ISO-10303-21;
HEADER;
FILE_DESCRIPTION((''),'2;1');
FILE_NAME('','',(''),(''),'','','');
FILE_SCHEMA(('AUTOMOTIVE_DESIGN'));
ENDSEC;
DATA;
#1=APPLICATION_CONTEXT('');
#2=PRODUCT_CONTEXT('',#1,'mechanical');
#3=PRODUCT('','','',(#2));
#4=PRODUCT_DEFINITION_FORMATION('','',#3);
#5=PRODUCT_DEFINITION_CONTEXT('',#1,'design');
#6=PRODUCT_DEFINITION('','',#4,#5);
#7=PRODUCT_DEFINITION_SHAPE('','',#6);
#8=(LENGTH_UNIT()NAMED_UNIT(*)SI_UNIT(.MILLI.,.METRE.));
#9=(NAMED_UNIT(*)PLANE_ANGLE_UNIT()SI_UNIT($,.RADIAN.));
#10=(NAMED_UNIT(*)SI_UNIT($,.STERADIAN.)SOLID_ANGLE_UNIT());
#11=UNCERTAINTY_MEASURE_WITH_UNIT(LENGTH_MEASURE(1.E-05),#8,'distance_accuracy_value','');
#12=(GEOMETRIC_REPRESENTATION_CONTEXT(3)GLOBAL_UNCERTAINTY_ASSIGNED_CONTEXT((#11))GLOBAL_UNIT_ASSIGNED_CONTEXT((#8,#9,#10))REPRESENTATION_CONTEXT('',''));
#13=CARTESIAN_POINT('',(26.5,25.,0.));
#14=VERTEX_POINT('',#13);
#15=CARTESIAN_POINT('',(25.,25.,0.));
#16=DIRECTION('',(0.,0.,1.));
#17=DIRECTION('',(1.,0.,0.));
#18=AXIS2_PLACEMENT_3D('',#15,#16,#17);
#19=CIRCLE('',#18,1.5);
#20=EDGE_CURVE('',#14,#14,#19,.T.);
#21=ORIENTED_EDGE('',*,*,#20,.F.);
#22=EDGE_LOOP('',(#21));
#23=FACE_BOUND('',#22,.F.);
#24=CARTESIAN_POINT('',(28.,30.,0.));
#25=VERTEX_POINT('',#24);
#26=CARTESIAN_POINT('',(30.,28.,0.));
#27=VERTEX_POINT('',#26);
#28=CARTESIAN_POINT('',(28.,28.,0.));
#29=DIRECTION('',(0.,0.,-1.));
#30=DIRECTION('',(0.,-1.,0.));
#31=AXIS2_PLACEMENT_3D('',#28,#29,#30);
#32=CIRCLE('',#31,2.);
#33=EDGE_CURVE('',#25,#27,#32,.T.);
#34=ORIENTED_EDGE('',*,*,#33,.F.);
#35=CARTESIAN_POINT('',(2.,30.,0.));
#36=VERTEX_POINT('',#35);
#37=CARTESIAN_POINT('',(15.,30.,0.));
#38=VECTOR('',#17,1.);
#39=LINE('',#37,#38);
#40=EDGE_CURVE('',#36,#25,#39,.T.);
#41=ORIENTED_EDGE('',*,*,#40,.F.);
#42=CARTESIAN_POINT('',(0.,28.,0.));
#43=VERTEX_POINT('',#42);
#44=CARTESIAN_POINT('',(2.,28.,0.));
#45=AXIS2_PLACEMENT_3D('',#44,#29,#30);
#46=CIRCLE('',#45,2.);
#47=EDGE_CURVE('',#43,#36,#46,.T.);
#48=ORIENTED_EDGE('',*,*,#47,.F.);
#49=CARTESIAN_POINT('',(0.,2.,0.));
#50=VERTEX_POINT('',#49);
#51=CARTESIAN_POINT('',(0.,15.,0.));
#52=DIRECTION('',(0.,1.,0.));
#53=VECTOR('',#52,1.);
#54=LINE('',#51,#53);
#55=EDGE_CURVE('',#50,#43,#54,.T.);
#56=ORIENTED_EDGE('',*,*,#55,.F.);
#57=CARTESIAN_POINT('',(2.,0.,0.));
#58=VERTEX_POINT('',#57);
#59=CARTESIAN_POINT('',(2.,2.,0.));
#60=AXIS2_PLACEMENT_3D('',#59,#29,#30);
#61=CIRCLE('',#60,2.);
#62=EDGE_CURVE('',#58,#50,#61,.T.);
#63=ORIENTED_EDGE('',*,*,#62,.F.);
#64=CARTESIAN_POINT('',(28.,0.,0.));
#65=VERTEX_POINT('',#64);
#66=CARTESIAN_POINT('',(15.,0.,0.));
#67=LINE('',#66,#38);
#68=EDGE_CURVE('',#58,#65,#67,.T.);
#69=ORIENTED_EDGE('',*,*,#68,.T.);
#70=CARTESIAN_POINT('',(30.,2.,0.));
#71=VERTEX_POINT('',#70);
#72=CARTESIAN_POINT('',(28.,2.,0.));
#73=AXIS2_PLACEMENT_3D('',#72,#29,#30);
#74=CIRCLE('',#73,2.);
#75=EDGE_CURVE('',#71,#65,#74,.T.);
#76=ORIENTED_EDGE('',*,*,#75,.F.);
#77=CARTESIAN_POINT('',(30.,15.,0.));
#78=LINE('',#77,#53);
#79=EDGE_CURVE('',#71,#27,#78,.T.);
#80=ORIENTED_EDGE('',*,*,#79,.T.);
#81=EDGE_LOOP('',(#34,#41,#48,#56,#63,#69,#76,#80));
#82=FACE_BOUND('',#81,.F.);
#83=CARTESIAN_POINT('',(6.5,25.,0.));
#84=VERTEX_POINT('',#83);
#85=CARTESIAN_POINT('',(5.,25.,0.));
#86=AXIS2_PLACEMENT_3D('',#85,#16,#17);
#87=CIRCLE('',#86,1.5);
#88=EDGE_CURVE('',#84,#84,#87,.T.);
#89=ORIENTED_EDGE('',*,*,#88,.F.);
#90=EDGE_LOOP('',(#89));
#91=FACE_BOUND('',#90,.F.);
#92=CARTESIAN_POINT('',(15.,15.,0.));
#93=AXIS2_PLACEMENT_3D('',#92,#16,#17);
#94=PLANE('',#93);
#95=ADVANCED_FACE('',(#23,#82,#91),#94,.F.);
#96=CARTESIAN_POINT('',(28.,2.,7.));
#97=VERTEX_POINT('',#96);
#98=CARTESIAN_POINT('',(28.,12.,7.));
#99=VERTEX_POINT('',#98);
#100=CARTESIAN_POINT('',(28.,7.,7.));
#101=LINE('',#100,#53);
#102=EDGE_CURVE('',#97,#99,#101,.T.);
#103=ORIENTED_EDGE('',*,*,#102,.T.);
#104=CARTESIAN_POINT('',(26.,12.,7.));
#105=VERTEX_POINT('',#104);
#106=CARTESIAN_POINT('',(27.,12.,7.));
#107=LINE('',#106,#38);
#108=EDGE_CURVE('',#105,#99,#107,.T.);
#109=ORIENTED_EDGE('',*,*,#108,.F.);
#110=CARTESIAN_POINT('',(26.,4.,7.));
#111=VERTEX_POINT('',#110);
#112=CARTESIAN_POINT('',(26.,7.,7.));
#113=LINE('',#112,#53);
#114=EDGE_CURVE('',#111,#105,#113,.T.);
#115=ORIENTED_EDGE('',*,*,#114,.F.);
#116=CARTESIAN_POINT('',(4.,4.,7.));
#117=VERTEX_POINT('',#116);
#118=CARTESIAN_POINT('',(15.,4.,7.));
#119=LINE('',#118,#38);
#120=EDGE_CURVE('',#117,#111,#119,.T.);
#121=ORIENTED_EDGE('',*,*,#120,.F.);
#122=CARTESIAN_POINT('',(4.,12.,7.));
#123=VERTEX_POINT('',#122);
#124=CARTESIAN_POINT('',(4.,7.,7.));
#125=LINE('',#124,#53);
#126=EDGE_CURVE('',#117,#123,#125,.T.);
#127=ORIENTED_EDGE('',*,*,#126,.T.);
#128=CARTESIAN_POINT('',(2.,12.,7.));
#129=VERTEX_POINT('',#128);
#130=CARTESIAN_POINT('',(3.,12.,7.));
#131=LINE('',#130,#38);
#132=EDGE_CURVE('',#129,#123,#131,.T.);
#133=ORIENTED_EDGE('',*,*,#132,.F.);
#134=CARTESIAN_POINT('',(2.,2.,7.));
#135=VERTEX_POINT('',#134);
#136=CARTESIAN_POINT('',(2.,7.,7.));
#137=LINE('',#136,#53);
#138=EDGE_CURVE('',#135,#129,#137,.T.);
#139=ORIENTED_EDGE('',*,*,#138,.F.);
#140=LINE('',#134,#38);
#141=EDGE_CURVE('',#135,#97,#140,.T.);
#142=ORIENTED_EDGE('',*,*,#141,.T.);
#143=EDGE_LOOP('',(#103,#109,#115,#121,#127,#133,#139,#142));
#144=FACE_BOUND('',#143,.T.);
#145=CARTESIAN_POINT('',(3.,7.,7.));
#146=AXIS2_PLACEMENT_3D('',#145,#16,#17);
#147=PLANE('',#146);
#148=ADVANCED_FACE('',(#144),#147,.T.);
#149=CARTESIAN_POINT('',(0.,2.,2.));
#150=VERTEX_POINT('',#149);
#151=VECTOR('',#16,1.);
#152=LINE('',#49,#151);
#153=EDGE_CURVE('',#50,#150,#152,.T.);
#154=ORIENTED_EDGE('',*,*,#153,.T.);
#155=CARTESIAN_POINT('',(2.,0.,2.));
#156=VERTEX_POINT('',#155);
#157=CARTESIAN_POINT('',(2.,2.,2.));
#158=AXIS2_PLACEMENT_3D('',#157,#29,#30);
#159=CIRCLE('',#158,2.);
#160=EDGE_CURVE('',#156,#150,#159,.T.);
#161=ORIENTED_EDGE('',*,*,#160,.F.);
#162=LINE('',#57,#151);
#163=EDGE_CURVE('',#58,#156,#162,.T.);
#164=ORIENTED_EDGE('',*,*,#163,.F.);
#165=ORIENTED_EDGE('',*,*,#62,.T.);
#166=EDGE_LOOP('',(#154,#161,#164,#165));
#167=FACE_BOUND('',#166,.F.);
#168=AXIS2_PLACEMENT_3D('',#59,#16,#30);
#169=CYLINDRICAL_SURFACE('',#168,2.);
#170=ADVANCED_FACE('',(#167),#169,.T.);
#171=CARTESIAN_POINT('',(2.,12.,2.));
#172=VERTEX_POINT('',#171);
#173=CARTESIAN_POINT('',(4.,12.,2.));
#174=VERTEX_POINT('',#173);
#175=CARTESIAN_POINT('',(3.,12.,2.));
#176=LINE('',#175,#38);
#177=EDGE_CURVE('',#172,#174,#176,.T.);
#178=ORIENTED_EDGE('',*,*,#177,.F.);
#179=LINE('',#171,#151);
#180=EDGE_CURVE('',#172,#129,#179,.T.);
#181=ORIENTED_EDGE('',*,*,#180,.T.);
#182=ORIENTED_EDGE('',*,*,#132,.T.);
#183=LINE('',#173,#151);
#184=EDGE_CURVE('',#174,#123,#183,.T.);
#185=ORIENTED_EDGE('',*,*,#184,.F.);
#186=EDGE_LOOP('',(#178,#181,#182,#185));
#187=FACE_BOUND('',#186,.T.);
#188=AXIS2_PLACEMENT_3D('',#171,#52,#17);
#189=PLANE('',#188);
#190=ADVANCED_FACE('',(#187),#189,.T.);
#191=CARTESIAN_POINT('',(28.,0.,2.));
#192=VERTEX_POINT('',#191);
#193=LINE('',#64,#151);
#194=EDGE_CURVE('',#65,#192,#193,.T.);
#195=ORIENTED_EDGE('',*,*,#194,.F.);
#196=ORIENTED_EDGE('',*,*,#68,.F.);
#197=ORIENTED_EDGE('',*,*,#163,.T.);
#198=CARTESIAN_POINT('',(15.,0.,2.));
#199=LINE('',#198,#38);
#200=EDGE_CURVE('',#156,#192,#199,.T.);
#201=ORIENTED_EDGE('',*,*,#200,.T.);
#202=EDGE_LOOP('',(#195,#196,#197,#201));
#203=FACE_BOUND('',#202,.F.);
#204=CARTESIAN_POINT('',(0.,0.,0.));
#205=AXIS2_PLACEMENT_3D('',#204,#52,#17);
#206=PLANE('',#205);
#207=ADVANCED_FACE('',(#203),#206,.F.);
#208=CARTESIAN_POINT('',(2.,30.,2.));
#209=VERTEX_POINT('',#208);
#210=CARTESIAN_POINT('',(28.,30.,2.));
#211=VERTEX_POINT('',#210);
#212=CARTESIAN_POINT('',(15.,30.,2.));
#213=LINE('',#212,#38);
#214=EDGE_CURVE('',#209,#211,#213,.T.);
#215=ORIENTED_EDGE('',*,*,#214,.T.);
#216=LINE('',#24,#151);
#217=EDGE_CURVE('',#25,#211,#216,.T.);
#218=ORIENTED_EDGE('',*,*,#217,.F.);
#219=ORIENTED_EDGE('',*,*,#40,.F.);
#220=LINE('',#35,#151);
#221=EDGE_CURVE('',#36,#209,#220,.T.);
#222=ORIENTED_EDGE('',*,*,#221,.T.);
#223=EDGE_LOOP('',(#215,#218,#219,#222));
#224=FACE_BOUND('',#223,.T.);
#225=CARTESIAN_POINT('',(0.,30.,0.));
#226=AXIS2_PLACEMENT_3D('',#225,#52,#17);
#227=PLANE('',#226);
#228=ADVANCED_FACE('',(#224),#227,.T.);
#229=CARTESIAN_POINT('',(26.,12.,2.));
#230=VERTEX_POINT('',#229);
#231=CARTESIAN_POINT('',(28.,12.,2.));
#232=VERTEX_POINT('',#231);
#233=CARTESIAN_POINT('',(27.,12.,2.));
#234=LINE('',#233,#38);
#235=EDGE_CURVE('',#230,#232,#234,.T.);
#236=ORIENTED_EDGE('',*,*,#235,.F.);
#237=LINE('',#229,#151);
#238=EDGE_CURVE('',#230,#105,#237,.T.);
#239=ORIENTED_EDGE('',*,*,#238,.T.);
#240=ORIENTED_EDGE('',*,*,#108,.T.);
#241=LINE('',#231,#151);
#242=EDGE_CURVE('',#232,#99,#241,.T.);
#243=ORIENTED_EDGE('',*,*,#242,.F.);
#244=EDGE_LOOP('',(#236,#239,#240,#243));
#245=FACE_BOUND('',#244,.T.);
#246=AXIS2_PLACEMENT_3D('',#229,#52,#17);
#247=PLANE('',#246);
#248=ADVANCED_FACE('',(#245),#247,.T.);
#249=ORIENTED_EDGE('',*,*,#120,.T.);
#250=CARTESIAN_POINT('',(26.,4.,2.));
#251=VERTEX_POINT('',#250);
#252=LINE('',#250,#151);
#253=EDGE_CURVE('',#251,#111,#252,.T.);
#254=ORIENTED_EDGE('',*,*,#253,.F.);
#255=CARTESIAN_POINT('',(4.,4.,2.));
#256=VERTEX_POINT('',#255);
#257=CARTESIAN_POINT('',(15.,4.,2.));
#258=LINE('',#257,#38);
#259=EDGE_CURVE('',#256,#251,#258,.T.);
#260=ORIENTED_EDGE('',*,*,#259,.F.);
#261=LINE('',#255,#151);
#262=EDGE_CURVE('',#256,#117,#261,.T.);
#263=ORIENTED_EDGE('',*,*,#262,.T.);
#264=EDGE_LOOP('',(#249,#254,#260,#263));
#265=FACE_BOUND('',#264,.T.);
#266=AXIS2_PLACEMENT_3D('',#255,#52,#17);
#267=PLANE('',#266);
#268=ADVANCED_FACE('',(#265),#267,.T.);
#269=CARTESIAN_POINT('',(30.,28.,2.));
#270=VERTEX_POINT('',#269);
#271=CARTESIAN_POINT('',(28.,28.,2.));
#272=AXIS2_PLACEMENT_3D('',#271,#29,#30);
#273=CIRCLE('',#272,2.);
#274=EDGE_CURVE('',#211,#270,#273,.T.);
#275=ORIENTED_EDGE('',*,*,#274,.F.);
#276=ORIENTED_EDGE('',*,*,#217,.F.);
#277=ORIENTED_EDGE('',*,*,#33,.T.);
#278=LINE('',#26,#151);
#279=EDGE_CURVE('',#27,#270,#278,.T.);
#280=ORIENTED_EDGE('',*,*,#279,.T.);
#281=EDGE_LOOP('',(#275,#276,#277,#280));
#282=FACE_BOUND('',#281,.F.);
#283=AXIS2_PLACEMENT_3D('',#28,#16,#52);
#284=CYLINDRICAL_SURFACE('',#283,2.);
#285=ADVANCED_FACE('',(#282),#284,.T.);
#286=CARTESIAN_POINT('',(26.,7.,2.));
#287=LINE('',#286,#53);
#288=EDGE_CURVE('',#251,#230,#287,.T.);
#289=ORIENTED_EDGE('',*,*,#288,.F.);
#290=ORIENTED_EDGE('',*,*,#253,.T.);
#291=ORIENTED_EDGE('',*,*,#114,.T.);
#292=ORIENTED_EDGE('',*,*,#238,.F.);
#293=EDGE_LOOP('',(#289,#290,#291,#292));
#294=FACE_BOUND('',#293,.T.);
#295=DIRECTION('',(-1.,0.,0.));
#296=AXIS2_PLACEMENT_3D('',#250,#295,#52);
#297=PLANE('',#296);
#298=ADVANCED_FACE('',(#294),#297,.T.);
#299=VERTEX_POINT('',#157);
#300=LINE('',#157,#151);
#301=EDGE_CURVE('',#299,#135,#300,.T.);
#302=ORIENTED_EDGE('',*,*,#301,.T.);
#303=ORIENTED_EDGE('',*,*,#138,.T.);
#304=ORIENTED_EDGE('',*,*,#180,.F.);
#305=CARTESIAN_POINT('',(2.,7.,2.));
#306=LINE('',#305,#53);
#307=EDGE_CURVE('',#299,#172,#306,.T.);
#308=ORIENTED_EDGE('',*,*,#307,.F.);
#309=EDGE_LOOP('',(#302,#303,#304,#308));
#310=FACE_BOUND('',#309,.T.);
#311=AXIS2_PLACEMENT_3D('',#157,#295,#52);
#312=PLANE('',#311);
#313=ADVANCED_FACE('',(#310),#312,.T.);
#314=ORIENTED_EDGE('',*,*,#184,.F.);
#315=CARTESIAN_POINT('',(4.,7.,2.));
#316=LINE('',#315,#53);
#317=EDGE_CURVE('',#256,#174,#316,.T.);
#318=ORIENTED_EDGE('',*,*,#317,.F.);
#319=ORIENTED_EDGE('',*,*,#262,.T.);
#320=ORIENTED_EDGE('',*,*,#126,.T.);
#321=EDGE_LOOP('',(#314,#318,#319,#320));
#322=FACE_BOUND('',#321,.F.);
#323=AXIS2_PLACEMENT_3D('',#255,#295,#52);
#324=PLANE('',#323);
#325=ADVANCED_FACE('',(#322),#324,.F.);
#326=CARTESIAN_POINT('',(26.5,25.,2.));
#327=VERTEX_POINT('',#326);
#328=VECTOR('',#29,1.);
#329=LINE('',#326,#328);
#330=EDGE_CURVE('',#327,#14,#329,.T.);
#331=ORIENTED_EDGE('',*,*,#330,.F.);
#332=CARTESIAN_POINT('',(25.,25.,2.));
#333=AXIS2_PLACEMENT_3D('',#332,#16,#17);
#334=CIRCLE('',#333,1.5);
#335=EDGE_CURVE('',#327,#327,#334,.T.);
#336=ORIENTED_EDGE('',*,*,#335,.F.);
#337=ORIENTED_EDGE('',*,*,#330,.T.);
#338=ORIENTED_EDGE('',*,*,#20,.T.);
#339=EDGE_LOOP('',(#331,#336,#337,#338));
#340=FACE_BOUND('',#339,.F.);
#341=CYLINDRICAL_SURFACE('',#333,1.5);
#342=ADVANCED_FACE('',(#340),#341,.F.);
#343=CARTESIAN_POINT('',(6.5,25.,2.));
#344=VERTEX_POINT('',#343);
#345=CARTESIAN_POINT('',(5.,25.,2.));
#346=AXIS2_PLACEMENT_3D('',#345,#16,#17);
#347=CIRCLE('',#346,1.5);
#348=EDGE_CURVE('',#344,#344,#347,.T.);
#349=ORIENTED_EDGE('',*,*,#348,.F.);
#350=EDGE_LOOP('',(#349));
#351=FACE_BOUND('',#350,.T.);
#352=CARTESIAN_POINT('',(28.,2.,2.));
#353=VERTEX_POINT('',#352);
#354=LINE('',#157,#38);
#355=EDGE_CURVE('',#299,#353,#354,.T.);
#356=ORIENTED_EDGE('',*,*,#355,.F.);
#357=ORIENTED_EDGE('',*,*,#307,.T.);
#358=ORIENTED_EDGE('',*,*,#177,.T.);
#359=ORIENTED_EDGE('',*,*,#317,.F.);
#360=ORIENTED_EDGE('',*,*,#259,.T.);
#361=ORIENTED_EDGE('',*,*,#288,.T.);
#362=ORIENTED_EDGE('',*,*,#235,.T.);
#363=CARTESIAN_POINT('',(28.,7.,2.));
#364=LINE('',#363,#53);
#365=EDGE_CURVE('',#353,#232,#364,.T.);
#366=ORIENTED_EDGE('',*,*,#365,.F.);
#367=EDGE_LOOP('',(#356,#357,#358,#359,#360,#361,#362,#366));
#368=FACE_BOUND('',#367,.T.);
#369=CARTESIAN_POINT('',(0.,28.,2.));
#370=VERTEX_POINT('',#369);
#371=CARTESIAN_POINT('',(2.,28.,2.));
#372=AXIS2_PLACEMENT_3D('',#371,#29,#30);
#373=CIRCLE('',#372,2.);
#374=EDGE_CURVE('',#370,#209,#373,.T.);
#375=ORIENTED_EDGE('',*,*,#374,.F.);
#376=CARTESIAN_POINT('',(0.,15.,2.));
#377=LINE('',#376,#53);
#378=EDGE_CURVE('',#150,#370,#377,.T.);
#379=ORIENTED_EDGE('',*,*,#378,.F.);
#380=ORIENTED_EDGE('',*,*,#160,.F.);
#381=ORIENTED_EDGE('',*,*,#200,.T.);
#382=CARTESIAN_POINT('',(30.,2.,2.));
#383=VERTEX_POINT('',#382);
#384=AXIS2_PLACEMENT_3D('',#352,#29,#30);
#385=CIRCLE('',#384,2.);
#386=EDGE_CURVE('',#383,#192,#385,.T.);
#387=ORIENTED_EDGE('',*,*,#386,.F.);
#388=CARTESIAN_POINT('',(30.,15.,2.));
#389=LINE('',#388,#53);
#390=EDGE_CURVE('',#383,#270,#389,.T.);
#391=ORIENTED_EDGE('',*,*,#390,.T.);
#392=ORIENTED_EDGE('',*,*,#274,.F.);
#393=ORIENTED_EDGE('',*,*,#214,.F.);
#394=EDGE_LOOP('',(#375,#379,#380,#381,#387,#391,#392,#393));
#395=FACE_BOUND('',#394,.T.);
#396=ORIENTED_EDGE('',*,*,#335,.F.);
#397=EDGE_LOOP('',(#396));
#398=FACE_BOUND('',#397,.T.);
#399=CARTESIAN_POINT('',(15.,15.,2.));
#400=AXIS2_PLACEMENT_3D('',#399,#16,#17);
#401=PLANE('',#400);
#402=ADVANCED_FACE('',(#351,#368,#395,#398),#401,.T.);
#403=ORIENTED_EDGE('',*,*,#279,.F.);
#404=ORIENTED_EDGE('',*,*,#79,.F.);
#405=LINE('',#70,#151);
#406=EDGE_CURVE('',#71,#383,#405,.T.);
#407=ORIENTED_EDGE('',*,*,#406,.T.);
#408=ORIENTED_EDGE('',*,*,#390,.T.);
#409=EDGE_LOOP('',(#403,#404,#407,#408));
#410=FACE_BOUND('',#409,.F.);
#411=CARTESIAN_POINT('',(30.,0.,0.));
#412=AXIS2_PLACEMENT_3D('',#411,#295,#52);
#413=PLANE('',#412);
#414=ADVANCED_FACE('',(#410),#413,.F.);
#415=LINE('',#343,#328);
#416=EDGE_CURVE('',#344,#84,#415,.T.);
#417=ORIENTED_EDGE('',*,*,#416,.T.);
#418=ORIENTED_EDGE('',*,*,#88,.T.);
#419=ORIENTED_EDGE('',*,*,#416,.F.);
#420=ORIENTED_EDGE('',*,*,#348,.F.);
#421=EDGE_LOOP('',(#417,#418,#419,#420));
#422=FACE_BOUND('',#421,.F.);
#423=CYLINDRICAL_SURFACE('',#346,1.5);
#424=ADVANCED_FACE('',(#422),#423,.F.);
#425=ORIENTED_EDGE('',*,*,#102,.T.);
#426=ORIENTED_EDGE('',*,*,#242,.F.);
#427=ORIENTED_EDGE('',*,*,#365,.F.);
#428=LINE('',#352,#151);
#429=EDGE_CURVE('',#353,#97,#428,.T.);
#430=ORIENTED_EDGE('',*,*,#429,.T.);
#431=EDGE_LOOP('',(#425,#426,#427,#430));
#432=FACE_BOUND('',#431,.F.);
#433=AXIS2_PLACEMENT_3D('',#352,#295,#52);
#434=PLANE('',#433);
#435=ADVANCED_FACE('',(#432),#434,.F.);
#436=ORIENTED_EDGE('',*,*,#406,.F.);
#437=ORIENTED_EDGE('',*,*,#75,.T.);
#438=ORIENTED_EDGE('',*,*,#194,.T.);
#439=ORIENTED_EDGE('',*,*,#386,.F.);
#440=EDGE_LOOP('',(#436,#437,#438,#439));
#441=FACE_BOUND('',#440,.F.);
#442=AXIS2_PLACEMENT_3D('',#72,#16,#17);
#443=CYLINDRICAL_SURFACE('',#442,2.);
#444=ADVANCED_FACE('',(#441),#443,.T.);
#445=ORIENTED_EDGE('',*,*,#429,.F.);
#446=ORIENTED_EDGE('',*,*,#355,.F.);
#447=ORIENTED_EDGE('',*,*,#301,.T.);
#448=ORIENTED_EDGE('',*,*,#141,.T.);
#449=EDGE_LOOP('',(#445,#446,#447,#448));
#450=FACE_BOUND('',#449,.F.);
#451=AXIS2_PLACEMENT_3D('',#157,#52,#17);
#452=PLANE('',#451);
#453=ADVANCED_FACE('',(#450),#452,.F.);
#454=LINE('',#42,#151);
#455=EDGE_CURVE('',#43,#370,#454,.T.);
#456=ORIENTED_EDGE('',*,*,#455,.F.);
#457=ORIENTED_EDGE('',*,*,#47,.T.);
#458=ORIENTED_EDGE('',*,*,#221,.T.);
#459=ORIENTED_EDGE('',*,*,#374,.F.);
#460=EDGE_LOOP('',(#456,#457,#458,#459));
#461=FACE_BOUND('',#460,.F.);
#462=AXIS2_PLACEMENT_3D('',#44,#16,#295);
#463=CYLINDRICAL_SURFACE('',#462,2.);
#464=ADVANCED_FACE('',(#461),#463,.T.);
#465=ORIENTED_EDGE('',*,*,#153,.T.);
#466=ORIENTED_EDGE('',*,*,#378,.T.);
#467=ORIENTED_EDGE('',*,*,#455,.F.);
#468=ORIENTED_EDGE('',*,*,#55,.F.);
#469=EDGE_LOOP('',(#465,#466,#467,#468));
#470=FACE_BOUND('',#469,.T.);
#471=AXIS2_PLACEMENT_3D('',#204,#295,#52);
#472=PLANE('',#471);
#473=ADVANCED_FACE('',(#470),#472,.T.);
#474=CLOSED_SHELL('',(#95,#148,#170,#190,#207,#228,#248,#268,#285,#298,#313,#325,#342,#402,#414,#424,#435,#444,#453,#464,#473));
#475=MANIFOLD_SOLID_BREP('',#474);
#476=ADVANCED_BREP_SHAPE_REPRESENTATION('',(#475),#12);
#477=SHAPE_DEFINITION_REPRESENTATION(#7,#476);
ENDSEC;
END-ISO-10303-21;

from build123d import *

# Parameters (mm, degrees)
SKETCH_W      = 30
SKETCH_H      = 30
PAD_DEPTH     = 2
SKETCH001_R   = 1.5
POCKET_DEPTH  = 5
SKETCH002_W   = 2
SKETCH002_H   = 10
SKETCH002_W_2 = 22
SKETCH002_H_2 = 2
PAD001_DEPTH  = 5
FILLET_R      = 2
FILLET001_R   = 2
FILLET002_R   = 2
FILLET003_R   = 2


with BuildPart() as part:
    # Sketch → Pad (new body)
    with BuildSketch(Plane.XY):
        with Locations((15, 15)):
            Rectangle(SKETCH_W, SKETCH_H)
    extrude(amount=PAD_DEPTH)

    # Sketch001 → Pocket (cut)
    with BuildSketch(Plane.XY.offset(2)):
        with Locations((5, 25)):
            Circle(SKETCH001_R)
        with Locations((25, 25)):
            Circle(SKETCH001_R)
    extrude(amount=-POCKET_DEPTH, mode=Mode.SUBTRACT)

    # Sketch002 → Pad001 (new body)
    with BuildSketch(Plane.XY.offset(2)):
        with Locations((3, 7)):
            Rectangle(SKETCH002_W, SKETCH002_H)
        with Locations((27, 7)):
            Rectangle(SKETCH002_W, SKETCH002_H)
        with Locations((15, 3)):
            Rectangle(SKETCH002_W_2, SKETCH002_H_2)
    extrude(amount=PAD001_DEPTH)

    # Fillet
    fillet_edges = [part.edges().sort_by_distance(p)[0] for p in [
        (30, 30, 1),
    ]]
    fillet(fillet_edges, radius=FILLET_R)

    # Fillet001
    fillet001_edges = [part.edges().sort_by_distance(p)[0] for p in [
        (30, 0, 1),
    ]]
    fillet(fillet001_edges, radius=FILLET001_R)

    # Fillet002
    fillet002_edges = [part.edges().sort_by_distance(p)[0] for p in [
        (0, 0, 1),
    ]]
    fillet(fillet002_edges, radius=FILLET002_R)

    # Fillet003
    fillet003_edges = [part.edges().sort_by_distance(p)[0] for p in [
        (0, 30, 1),
    ]]
    fillet(fillet003_edges, radius=FILLET003_R)


solid = part.part
